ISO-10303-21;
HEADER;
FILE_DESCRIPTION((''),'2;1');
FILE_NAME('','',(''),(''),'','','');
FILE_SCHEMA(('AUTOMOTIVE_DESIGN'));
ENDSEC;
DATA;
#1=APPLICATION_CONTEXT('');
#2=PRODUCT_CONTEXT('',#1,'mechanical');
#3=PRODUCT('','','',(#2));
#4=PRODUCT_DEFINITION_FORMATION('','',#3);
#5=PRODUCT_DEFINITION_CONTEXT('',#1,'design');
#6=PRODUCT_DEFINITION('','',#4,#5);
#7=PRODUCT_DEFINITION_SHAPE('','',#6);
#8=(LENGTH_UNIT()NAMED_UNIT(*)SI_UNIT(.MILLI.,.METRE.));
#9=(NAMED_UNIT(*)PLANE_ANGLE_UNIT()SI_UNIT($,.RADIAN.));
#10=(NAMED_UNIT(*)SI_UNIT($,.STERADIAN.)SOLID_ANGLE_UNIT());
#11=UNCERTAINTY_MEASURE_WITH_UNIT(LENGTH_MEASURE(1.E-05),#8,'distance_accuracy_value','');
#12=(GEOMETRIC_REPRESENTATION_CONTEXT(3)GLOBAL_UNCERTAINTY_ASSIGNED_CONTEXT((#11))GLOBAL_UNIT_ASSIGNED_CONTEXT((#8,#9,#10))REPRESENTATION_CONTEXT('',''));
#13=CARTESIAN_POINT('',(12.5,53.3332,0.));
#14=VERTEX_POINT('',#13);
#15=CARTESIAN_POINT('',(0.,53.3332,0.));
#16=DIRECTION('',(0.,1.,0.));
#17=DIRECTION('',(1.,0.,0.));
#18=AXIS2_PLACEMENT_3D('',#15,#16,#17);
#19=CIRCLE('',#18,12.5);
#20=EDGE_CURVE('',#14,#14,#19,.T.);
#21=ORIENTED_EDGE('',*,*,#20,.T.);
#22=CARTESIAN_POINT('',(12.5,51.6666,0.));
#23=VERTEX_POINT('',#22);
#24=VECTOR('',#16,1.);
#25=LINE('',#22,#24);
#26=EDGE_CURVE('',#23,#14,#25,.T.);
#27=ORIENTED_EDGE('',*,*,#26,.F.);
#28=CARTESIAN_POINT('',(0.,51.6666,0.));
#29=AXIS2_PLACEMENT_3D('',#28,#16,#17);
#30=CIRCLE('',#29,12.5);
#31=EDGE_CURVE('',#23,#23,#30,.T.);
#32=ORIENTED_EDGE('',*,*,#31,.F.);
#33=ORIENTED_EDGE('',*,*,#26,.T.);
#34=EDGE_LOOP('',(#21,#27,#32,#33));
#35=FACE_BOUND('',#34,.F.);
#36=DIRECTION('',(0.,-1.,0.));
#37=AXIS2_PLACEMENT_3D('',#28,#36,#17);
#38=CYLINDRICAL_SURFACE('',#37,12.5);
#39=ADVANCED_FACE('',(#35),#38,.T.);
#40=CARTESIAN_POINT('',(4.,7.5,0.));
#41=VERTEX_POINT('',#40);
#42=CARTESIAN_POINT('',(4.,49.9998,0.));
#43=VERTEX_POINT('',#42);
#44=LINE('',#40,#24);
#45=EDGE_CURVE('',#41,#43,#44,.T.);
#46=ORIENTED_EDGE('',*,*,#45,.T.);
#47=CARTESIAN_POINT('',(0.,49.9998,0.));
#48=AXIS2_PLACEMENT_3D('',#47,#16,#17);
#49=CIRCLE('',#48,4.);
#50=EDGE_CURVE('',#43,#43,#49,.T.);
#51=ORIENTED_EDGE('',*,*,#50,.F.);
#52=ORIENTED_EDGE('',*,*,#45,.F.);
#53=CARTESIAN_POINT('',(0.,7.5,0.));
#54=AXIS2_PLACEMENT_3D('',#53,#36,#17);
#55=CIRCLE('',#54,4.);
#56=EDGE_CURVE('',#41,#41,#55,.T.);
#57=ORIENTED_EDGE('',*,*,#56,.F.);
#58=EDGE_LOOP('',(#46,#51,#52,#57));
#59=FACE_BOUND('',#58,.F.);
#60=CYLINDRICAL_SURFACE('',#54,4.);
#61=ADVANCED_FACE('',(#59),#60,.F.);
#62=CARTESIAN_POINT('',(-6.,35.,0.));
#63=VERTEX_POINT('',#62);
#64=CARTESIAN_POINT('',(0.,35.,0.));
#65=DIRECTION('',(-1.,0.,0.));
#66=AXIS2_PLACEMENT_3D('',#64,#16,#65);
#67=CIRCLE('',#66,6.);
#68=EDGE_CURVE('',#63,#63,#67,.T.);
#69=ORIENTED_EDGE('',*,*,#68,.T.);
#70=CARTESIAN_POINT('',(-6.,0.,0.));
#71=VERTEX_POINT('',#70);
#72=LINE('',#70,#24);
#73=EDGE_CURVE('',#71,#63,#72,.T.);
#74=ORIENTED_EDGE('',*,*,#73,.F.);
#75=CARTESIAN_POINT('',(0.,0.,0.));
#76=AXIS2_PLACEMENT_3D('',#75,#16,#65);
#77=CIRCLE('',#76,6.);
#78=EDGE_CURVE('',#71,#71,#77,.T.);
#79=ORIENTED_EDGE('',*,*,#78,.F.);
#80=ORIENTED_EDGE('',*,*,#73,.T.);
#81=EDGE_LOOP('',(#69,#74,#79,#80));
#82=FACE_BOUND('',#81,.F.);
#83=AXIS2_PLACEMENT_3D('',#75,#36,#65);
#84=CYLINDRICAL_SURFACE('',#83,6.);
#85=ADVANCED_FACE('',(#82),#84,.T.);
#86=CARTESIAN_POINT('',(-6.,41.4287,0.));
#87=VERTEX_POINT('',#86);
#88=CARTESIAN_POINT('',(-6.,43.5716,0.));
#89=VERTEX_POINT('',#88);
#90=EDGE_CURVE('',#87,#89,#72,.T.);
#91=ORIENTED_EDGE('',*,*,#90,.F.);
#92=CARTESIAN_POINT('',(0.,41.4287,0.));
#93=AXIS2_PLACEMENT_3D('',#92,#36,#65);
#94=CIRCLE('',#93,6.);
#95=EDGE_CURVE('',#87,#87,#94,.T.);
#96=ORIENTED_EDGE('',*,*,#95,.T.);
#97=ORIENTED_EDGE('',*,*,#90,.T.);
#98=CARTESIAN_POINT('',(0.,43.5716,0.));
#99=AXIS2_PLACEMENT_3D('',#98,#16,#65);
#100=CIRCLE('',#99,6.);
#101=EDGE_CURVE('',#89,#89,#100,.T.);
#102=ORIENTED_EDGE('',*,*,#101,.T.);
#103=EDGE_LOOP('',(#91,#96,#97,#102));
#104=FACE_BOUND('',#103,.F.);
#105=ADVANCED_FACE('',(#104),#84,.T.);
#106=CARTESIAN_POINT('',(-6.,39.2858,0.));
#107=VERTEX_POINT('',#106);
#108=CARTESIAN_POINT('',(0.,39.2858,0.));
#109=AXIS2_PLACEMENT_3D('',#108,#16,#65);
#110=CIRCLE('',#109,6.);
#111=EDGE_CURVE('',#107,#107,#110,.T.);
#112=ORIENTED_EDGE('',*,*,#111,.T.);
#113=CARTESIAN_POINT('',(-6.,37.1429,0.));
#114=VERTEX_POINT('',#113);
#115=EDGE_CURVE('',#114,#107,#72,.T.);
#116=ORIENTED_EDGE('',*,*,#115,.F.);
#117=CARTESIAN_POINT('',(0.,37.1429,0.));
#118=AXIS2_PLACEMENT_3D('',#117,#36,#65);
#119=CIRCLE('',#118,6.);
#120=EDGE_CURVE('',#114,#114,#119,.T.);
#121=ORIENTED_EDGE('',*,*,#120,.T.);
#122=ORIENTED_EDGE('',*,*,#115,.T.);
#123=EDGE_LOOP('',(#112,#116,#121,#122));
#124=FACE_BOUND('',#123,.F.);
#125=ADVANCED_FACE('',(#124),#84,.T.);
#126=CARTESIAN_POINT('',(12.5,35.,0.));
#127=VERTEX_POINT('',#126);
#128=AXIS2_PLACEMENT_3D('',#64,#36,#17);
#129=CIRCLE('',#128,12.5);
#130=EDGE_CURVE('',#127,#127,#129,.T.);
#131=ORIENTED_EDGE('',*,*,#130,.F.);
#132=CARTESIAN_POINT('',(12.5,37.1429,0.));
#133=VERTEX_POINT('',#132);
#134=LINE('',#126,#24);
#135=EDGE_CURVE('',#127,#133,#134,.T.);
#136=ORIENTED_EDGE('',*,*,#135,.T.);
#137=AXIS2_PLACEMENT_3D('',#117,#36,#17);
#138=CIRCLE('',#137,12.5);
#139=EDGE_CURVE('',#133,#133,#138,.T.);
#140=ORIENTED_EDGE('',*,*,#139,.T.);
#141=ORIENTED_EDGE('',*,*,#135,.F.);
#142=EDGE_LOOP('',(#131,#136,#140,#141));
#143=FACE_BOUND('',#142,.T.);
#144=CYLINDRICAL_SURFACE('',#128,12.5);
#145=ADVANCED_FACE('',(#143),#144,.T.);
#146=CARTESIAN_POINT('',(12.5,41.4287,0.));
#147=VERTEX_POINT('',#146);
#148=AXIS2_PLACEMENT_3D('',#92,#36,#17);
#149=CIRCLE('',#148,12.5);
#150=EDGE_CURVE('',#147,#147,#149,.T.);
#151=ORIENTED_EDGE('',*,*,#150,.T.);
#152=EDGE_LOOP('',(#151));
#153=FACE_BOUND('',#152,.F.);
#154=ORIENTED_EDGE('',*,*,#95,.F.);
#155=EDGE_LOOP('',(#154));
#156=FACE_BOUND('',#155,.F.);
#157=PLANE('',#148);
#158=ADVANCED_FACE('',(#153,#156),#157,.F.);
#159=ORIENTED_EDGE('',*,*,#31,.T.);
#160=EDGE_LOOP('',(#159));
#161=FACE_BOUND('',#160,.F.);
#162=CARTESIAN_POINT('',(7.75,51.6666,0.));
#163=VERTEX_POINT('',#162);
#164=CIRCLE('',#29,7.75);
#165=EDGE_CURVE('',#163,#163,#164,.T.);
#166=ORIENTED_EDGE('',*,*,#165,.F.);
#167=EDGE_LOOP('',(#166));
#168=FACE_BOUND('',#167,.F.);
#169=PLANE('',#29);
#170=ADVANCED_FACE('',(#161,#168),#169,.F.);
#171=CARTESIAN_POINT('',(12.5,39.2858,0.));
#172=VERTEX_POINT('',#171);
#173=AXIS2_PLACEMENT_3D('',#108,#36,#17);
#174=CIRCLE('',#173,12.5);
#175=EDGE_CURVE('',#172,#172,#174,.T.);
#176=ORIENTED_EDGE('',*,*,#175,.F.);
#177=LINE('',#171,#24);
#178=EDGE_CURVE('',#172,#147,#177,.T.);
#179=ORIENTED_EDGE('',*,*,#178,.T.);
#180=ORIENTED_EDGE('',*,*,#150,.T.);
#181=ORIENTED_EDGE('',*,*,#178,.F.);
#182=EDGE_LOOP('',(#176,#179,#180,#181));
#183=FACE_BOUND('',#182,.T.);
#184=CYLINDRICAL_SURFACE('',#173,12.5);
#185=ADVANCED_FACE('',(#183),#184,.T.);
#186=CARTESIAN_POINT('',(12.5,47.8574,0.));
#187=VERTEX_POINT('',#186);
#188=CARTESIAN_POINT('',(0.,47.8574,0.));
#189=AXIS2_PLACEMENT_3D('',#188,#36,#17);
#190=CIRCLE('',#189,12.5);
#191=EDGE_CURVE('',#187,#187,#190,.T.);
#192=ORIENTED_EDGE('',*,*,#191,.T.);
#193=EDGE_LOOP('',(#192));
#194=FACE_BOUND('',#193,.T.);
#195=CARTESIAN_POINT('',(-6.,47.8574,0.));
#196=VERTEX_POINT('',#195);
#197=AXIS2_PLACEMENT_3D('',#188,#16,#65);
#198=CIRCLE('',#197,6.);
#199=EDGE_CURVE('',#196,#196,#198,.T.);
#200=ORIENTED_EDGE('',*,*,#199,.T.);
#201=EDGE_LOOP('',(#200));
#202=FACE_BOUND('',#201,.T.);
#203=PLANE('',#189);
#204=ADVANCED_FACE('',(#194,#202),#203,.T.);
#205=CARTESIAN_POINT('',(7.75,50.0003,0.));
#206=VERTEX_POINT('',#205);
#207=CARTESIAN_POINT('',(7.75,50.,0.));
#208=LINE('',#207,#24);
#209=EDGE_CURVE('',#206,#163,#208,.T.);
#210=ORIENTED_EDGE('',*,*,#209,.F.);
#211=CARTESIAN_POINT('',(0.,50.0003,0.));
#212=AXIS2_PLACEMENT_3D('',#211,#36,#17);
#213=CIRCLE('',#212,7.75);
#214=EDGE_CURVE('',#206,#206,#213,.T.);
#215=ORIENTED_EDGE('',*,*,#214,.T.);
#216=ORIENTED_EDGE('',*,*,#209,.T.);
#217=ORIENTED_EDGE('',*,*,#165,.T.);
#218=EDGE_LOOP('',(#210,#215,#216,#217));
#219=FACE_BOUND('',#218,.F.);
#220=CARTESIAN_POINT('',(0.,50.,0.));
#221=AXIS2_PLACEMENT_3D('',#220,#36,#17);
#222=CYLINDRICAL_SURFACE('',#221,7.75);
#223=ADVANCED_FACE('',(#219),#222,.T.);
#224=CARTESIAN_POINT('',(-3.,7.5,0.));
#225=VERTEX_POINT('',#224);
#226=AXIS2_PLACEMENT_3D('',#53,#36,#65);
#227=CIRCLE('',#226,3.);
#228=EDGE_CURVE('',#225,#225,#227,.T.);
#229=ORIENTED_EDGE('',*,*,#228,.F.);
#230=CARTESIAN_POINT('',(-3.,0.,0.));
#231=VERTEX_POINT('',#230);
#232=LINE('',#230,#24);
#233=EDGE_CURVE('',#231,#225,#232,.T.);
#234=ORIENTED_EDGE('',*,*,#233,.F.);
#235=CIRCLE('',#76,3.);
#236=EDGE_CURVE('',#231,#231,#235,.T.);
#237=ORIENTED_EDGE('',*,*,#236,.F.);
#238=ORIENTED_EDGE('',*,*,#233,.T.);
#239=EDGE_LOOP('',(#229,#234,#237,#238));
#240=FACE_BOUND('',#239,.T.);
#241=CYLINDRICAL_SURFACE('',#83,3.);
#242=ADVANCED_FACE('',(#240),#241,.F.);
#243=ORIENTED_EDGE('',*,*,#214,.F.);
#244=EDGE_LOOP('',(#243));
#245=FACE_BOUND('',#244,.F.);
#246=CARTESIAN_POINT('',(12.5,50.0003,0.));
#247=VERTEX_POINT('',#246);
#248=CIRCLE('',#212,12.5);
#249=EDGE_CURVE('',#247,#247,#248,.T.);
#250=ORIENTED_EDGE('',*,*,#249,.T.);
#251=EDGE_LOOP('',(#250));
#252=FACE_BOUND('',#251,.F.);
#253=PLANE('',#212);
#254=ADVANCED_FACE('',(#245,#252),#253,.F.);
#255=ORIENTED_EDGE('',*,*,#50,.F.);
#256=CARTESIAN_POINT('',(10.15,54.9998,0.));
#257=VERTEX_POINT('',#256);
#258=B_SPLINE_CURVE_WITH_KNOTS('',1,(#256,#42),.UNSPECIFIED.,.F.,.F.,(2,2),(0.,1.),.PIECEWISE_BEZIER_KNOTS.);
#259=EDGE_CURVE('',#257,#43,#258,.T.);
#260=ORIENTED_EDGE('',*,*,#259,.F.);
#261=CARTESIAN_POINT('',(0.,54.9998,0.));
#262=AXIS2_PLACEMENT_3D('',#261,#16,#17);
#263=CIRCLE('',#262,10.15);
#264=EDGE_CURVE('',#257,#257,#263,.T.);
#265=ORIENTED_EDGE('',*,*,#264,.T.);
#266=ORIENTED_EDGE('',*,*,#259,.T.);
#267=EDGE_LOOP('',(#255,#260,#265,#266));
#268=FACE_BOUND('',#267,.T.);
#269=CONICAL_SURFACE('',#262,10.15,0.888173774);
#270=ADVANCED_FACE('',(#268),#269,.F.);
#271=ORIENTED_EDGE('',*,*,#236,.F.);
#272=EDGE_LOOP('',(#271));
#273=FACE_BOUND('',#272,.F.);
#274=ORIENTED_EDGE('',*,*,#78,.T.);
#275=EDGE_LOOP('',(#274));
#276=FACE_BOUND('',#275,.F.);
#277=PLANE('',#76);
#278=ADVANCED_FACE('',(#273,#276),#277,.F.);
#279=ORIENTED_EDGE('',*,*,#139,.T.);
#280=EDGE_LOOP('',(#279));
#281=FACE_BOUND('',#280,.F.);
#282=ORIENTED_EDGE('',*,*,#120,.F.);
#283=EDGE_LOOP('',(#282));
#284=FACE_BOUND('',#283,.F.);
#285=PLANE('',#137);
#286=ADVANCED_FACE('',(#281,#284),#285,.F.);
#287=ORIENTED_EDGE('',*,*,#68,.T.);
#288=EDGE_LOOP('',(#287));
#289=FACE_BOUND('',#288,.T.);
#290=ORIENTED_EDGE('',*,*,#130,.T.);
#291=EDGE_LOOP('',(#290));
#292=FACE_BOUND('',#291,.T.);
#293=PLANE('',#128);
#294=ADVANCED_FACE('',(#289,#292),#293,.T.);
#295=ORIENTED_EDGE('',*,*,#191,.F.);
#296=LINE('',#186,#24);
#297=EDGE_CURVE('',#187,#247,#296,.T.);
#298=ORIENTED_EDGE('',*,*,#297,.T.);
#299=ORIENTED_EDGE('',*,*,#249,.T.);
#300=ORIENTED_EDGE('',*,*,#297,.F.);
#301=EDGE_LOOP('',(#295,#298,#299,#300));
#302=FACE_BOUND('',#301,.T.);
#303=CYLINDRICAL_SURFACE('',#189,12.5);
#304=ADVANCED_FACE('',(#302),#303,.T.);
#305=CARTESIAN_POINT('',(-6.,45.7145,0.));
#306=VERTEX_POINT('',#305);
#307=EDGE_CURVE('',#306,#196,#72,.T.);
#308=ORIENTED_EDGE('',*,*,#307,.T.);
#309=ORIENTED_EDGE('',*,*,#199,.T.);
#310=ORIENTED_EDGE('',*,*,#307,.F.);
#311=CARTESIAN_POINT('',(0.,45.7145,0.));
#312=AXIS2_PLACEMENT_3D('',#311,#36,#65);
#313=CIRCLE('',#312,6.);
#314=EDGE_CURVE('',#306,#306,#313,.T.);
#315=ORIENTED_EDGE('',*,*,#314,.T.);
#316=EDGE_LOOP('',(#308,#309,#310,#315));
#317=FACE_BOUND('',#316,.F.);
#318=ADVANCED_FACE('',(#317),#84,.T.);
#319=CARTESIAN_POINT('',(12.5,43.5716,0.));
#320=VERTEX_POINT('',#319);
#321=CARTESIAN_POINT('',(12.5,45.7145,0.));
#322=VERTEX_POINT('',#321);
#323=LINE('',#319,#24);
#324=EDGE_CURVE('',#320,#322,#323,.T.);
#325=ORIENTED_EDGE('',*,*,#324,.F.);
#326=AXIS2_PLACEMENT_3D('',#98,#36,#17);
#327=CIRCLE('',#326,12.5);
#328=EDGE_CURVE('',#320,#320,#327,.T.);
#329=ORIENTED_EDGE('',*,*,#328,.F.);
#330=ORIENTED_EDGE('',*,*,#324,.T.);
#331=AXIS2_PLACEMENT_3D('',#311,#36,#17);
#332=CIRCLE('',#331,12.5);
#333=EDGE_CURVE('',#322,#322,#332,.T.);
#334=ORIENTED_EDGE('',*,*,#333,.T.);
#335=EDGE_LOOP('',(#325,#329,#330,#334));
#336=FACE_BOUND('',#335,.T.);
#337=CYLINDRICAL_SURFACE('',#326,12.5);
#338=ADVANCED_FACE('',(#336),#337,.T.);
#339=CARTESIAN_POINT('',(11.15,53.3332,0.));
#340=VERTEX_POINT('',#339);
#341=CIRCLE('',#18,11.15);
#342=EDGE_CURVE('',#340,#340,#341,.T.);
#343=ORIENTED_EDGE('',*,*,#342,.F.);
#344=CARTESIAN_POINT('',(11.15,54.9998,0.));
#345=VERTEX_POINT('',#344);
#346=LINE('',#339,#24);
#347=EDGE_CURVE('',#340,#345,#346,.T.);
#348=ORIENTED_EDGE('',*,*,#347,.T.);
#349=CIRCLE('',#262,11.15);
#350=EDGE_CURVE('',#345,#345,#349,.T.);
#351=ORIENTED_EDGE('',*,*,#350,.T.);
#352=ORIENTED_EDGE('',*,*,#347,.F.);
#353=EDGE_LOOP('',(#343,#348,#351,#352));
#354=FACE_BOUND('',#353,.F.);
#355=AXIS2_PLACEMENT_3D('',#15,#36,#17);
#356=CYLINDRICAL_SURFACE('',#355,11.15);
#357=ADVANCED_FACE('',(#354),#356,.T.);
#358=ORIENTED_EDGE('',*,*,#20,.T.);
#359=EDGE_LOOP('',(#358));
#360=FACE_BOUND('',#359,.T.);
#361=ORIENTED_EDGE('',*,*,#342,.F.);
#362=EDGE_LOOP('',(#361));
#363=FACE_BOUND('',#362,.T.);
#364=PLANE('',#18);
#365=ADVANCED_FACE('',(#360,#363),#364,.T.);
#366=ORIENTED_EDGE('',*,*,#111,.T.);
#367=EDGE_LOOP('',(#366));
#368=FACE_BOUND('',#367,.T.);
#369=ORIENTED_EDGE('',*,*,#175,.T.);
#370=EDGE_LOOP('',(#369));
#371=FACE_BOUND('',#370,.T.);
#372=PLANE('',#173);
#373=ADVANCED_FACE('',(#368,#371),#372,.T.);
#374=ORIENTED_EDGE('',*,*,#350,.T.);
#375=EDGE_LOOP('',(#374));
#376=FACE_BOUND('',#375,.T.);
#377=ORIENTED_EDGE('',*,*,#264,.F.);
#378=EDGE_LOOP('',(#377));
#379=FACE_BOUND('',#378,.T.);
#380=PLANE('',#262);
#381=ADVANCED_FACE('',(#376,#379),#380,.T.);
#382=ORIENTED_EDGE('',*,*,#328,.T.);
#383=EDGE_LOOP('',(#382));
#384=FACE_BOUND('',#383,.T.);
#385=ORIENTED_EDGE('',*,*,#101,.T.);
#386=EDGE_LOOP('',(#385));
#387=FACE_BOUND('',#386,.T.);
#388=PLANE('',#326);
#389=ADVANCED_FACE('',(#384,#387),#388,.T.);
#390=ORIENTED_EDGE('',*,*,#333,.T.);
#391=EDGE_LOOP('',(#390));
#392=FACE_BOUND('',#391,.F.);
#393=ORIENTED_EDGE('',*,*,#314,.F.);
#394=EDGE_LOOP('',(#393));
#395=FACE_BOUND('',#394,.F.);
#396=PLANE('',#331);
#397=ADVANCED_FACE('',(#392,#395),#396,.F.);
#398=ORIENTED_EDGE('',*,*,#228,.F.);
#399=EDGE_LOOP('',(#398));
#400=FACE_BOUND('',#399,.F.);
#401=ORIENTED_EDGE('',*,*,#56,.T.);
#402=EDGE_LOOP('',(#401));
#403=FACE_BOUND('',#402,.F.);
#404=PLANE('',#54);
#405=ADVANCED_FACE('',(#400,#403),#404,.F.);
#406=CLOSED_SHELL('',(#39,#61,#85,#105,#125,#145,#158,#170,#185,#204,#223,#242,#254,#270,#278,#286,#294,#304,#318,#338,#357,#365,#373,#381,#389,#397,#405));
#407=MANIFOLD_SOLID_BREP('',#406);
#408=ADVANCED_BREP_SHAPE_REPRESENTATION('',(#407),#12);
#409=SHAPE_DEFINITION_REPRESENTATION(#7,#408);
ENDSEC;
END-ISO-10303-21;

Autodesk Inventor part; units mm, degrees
sketch "Boceto1" plane through (0, 0, 0) normal (0, 1, 0) x (-1, 0, 0)
  circle A0 centre (0, 0) radius 6
  circle A1 centre (0, 0) radius 3
  dimension "d0" = 12
  dimension "d1" = 6
extrude "Extrusión1" add sketch "Boceto1" along normal blind 50
ref_plane "Plano de trabajo3" through (0, 7.5, 0) normal (0, 1, 0) x (1, 0, 0)
sketch "Boceto20" plane through (0, 50, 0) normal (0, 1, 0) x (1, 0, 0)
  circle A0 centre (0, 0) radius 7.75
  circle A1 centre (0, 0) radius 3.9641
  circle A2 centre (0, 0) radius 4
  dimension "d50" = 15.5
  dimension "d72" = 8
extrude "Extrusión14" add sketch "Boceto20" along normal blind 1.6666 contours A0
sketch "Boceto21" plane through (0, 51.6666, 0) normal (0, 1, 0) x (1, 0, 0)
  circle A0 centre (0, 0) radius 12.5
  circle A1 centre (0, 0) radius 4
  dimension "d53" = 25
extrude "Extrusión15" add sketch "Boceto21" along normal blind 1.6666
sketch "Boceto22" plane through (0, 53.3332, 0) normal (0, 1, 0) x (1, 0, 0)
  circle A0 centre (0, 0) radius 11.15
  circle A1 centre (0, 0) radius 3.9641
  dimension "d56" = 22.3
extrude "Extrusión16" add sketch "Boceto22" along normal blind 1.6666
ref_plane "Plano de trabajo17" through (0, 43.5716, 0) normal (0, -1, 0) x (1, 0, 0)
ref_plane "Plano de trabajo16" through (0, 41.4287, 0) normal (0, -1, 0) x (1, 0, 0)
sketch "Boceto23" plane through (0, 35, 0) normal (0, -1, 0) x (1, 0, 0)
  circle A0 centre (0, 0) radius 12.5
  circle A1 centre (0, 0) radius 6
  dimension "d64" = 25
  dimension "d65" = 12
extrude "Extrusión17" add sketch "Boceto23" against normal blind 2.1429
pattern_linear "Patrón rectangular1" count 4 spacing 4.2858 along (0, 1, 0) of "Extrusión17"
sketch "Boceto24" plane through (0, 54.9998, 0) normal (0, 1, 0) x (1, 0, 0)
  circle A0 centre (0, 0) radius 10.15
  dimension "d71" = 20.3
ref_plane "Plano de trabajo18" through (0, 49.9998, 0) normal (0, 1, 0) x (1, 0, 0)
sketch "Boceto25" plane through (0, 49.9998, 0) normal (0, 1, 0) x (1, 0, 0)
  circle A0 centre (0, 0) radius 4
  dimension "d74" = 8
loft "Solevación2" cut profiles "Boceto24", "Boceto25"
ref_plane "Plano de trabajo19" through (0, 7.5, 0) normal (0, -1, 0) x (1, 0, 0)
sketch "Boceto26" plane through (0, 7.5, 0) normal (0, -1, 0) x (1, 0, 0)
  circle A0 centre (0, 0) radius 6 projected
  circle A1 centre (0, 0) radius 4
  dimension "d80" = 8
extrude "Extrusión18" cut sketch "Boceto26" against normal blind 47.5 contours A1
ref_plane "Plano de trabajo13" through (0, 35, 0) normal (0, -1, 0) x (1, 0, 0)
ref_plane "Plano de trabajo14" through (0, 37.1429, 0) normal (0, -1, 0) x (1, 0, 0)
ref_plane "Plano de trabajo15" through (0, 39.2858, 0) normal (0, -1, 0) x (1, 0, 0)
properties part number "Barrel husillo 8mm_V2"
